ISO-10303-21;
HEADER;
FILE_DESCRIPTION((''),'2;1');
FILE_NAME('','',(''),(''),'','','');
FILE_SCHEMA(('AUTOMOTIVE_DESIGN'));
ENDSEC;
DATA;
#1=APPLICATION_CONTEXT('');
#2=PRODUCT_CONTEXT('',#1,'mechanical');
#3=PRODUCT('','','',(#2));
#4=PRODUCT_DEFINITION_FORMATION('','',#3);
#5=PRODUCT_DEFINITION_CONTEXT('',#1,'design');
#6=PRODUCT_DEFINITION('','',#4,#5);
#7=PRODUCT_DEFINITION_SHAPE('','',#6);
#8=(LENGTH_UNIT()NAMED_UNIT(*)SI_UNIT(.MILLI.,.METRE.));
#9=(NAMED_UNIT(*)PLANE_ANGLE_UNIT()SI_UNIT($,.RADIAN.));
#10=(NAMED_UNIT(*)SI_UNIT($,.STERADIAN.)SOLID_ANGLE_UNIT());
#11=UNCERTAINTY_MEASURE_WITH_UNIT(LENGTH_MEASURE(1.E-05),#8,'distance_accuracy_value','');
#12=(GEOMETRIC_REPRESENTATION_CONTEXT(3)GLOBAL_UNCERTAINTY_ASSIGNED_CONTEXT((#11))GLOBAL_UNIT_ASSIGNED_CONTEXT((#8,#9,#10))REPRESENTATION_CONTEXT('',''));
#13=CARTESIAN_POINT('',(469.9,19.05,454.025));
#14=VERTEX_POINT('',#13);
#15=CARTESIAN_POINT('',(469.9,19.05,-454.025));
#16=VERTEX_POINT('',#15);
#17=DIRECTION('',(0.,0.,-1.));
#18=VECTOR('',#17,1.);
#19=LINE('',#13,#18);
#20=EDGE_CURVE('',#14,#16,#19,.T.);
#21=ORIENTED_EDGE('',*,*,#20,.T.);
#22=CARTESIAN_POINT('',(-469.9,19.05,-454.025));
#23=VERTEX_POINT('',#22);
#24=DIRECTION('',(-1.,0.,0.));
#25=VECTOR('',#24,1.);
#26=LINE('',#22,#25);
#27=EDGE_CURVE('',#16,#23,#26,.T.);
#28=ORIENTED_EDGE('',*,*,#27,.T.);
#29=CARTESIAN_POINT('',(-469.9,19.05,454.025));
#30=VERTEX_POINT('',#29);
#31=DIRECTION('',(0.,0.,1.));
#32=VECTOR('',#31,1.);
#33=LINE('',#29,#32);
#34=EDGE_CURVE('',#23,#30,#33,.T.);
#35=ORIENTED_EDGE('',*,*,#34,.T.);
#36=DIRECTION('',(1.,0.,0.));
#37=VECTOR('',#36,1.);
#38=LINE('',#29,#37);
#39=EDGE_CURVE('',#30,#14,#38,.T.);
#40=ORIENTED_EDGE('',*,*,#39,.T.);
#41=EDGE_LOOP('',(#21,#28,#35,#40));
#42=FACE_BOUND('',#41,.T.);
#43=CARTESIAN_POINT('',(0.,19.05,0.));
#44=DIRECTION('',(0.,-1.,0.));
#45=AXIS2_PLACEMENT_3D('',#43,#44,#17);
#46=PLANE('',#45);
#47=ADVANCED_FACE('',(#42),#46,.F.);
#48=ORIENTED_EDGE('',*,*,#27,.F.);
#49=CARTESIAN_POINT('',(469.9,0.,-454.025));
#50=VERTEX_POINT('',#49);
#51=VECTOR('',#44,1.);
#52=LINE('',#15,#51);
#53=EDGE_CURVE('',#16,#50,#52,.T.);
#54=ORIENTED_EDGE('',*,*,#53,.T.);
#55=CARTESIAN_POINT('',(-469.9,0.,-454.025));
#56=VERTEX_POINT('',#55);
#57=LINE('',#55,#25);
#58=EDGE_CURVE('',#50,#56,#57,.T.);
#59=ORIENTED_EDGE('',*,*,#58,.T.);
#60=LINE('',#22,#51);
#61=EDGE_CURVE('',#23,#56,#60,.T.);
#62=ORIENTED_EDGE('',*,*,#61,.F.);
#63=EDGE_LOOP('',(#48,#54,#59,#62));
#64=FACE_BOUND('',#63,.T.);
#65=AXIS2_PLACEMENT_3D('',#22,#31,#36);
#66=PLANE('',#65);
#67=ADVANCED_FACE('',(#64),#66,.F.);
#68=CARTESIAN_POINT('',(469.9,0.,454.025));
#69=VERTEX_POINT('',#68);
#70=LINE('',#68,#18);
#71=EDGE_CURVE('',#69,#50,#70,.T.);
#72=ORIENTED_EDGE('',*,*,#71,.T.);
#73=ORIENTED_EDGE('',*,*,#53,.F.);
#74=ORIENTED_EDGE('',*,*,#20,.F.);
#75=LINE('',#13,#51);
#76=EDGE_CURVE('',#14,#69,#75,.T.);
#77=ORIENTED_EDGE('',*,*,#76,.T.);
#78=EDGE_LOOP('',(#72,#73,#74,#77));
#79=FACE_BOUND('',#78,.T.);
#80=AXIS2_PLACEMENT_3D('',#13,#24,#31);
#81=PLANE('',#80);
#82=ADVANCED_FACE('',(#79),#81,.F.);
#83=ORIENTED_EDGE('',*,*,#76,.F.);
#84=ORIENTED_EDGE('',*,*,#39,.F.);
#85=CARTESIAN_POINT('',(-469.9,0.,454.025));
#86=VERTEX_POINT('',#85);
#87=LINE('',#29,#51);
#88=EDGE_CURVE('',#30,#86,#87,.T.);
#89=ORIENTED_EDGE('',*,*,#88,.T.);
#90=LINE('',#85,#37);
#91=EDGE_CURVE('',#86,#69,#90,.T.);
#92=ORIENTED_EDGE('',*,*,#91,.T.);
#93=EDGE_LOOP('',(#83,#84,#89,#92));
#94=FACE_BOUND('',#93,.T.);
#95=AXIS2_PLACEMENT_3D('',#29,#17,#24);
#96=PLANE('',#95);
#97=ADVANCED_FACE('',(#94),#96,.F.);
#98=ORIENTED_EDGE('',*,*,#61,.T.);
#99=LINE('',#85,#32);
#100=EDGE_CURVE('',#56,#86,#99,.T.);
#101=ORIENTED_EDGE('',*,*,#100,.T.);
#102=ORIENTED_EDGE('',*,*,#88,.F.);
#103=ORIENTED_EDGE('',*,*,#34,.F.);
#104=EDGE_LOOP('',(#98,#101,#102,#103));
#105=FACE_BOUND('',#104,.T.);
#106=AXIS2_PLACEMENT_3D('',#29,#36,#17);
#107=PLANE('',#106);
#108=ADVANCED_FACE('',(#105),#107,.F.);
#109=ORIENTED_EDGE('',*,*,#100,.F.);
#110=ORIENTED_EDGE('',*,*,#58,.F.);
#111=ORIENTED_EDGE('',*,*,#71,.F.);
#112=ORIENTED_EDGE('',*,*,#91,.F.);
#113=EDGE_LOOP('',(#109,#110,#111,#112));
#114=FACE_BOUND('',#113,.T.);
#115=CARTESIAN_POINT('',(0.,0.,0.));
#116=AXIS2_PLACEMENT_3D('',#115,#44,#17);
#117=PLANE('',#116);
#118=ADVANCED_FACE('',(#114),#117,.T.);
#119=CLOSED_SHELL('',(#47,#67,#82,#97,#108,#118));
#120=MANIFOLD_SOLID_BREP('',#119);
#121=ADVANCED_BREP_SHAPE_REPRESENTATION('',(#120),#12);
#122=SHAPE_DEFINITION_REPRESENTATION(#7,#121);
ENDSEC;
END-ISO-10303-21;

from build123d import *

# Parameters (mm, degrees)
SKETCH1_W           = 939.8
SKETCH1_H           = 908.05
BOSS_EXTRUDE1_DEPTH = 19.05


with BuildPart() as part:
    # Sketch1 → Boss-Extrude1 (new body)
    with BuildSketch(Plane(origin=(0, 0, 0), x_dir=(1, 0, 0), z_dir=(0, 1, 0))):
        Rectangle(SKETCH1_W, SKETCH1_H)
    extrude(amount=BOSS_EXTRUDE1_DEPTH)


solid = part.part
